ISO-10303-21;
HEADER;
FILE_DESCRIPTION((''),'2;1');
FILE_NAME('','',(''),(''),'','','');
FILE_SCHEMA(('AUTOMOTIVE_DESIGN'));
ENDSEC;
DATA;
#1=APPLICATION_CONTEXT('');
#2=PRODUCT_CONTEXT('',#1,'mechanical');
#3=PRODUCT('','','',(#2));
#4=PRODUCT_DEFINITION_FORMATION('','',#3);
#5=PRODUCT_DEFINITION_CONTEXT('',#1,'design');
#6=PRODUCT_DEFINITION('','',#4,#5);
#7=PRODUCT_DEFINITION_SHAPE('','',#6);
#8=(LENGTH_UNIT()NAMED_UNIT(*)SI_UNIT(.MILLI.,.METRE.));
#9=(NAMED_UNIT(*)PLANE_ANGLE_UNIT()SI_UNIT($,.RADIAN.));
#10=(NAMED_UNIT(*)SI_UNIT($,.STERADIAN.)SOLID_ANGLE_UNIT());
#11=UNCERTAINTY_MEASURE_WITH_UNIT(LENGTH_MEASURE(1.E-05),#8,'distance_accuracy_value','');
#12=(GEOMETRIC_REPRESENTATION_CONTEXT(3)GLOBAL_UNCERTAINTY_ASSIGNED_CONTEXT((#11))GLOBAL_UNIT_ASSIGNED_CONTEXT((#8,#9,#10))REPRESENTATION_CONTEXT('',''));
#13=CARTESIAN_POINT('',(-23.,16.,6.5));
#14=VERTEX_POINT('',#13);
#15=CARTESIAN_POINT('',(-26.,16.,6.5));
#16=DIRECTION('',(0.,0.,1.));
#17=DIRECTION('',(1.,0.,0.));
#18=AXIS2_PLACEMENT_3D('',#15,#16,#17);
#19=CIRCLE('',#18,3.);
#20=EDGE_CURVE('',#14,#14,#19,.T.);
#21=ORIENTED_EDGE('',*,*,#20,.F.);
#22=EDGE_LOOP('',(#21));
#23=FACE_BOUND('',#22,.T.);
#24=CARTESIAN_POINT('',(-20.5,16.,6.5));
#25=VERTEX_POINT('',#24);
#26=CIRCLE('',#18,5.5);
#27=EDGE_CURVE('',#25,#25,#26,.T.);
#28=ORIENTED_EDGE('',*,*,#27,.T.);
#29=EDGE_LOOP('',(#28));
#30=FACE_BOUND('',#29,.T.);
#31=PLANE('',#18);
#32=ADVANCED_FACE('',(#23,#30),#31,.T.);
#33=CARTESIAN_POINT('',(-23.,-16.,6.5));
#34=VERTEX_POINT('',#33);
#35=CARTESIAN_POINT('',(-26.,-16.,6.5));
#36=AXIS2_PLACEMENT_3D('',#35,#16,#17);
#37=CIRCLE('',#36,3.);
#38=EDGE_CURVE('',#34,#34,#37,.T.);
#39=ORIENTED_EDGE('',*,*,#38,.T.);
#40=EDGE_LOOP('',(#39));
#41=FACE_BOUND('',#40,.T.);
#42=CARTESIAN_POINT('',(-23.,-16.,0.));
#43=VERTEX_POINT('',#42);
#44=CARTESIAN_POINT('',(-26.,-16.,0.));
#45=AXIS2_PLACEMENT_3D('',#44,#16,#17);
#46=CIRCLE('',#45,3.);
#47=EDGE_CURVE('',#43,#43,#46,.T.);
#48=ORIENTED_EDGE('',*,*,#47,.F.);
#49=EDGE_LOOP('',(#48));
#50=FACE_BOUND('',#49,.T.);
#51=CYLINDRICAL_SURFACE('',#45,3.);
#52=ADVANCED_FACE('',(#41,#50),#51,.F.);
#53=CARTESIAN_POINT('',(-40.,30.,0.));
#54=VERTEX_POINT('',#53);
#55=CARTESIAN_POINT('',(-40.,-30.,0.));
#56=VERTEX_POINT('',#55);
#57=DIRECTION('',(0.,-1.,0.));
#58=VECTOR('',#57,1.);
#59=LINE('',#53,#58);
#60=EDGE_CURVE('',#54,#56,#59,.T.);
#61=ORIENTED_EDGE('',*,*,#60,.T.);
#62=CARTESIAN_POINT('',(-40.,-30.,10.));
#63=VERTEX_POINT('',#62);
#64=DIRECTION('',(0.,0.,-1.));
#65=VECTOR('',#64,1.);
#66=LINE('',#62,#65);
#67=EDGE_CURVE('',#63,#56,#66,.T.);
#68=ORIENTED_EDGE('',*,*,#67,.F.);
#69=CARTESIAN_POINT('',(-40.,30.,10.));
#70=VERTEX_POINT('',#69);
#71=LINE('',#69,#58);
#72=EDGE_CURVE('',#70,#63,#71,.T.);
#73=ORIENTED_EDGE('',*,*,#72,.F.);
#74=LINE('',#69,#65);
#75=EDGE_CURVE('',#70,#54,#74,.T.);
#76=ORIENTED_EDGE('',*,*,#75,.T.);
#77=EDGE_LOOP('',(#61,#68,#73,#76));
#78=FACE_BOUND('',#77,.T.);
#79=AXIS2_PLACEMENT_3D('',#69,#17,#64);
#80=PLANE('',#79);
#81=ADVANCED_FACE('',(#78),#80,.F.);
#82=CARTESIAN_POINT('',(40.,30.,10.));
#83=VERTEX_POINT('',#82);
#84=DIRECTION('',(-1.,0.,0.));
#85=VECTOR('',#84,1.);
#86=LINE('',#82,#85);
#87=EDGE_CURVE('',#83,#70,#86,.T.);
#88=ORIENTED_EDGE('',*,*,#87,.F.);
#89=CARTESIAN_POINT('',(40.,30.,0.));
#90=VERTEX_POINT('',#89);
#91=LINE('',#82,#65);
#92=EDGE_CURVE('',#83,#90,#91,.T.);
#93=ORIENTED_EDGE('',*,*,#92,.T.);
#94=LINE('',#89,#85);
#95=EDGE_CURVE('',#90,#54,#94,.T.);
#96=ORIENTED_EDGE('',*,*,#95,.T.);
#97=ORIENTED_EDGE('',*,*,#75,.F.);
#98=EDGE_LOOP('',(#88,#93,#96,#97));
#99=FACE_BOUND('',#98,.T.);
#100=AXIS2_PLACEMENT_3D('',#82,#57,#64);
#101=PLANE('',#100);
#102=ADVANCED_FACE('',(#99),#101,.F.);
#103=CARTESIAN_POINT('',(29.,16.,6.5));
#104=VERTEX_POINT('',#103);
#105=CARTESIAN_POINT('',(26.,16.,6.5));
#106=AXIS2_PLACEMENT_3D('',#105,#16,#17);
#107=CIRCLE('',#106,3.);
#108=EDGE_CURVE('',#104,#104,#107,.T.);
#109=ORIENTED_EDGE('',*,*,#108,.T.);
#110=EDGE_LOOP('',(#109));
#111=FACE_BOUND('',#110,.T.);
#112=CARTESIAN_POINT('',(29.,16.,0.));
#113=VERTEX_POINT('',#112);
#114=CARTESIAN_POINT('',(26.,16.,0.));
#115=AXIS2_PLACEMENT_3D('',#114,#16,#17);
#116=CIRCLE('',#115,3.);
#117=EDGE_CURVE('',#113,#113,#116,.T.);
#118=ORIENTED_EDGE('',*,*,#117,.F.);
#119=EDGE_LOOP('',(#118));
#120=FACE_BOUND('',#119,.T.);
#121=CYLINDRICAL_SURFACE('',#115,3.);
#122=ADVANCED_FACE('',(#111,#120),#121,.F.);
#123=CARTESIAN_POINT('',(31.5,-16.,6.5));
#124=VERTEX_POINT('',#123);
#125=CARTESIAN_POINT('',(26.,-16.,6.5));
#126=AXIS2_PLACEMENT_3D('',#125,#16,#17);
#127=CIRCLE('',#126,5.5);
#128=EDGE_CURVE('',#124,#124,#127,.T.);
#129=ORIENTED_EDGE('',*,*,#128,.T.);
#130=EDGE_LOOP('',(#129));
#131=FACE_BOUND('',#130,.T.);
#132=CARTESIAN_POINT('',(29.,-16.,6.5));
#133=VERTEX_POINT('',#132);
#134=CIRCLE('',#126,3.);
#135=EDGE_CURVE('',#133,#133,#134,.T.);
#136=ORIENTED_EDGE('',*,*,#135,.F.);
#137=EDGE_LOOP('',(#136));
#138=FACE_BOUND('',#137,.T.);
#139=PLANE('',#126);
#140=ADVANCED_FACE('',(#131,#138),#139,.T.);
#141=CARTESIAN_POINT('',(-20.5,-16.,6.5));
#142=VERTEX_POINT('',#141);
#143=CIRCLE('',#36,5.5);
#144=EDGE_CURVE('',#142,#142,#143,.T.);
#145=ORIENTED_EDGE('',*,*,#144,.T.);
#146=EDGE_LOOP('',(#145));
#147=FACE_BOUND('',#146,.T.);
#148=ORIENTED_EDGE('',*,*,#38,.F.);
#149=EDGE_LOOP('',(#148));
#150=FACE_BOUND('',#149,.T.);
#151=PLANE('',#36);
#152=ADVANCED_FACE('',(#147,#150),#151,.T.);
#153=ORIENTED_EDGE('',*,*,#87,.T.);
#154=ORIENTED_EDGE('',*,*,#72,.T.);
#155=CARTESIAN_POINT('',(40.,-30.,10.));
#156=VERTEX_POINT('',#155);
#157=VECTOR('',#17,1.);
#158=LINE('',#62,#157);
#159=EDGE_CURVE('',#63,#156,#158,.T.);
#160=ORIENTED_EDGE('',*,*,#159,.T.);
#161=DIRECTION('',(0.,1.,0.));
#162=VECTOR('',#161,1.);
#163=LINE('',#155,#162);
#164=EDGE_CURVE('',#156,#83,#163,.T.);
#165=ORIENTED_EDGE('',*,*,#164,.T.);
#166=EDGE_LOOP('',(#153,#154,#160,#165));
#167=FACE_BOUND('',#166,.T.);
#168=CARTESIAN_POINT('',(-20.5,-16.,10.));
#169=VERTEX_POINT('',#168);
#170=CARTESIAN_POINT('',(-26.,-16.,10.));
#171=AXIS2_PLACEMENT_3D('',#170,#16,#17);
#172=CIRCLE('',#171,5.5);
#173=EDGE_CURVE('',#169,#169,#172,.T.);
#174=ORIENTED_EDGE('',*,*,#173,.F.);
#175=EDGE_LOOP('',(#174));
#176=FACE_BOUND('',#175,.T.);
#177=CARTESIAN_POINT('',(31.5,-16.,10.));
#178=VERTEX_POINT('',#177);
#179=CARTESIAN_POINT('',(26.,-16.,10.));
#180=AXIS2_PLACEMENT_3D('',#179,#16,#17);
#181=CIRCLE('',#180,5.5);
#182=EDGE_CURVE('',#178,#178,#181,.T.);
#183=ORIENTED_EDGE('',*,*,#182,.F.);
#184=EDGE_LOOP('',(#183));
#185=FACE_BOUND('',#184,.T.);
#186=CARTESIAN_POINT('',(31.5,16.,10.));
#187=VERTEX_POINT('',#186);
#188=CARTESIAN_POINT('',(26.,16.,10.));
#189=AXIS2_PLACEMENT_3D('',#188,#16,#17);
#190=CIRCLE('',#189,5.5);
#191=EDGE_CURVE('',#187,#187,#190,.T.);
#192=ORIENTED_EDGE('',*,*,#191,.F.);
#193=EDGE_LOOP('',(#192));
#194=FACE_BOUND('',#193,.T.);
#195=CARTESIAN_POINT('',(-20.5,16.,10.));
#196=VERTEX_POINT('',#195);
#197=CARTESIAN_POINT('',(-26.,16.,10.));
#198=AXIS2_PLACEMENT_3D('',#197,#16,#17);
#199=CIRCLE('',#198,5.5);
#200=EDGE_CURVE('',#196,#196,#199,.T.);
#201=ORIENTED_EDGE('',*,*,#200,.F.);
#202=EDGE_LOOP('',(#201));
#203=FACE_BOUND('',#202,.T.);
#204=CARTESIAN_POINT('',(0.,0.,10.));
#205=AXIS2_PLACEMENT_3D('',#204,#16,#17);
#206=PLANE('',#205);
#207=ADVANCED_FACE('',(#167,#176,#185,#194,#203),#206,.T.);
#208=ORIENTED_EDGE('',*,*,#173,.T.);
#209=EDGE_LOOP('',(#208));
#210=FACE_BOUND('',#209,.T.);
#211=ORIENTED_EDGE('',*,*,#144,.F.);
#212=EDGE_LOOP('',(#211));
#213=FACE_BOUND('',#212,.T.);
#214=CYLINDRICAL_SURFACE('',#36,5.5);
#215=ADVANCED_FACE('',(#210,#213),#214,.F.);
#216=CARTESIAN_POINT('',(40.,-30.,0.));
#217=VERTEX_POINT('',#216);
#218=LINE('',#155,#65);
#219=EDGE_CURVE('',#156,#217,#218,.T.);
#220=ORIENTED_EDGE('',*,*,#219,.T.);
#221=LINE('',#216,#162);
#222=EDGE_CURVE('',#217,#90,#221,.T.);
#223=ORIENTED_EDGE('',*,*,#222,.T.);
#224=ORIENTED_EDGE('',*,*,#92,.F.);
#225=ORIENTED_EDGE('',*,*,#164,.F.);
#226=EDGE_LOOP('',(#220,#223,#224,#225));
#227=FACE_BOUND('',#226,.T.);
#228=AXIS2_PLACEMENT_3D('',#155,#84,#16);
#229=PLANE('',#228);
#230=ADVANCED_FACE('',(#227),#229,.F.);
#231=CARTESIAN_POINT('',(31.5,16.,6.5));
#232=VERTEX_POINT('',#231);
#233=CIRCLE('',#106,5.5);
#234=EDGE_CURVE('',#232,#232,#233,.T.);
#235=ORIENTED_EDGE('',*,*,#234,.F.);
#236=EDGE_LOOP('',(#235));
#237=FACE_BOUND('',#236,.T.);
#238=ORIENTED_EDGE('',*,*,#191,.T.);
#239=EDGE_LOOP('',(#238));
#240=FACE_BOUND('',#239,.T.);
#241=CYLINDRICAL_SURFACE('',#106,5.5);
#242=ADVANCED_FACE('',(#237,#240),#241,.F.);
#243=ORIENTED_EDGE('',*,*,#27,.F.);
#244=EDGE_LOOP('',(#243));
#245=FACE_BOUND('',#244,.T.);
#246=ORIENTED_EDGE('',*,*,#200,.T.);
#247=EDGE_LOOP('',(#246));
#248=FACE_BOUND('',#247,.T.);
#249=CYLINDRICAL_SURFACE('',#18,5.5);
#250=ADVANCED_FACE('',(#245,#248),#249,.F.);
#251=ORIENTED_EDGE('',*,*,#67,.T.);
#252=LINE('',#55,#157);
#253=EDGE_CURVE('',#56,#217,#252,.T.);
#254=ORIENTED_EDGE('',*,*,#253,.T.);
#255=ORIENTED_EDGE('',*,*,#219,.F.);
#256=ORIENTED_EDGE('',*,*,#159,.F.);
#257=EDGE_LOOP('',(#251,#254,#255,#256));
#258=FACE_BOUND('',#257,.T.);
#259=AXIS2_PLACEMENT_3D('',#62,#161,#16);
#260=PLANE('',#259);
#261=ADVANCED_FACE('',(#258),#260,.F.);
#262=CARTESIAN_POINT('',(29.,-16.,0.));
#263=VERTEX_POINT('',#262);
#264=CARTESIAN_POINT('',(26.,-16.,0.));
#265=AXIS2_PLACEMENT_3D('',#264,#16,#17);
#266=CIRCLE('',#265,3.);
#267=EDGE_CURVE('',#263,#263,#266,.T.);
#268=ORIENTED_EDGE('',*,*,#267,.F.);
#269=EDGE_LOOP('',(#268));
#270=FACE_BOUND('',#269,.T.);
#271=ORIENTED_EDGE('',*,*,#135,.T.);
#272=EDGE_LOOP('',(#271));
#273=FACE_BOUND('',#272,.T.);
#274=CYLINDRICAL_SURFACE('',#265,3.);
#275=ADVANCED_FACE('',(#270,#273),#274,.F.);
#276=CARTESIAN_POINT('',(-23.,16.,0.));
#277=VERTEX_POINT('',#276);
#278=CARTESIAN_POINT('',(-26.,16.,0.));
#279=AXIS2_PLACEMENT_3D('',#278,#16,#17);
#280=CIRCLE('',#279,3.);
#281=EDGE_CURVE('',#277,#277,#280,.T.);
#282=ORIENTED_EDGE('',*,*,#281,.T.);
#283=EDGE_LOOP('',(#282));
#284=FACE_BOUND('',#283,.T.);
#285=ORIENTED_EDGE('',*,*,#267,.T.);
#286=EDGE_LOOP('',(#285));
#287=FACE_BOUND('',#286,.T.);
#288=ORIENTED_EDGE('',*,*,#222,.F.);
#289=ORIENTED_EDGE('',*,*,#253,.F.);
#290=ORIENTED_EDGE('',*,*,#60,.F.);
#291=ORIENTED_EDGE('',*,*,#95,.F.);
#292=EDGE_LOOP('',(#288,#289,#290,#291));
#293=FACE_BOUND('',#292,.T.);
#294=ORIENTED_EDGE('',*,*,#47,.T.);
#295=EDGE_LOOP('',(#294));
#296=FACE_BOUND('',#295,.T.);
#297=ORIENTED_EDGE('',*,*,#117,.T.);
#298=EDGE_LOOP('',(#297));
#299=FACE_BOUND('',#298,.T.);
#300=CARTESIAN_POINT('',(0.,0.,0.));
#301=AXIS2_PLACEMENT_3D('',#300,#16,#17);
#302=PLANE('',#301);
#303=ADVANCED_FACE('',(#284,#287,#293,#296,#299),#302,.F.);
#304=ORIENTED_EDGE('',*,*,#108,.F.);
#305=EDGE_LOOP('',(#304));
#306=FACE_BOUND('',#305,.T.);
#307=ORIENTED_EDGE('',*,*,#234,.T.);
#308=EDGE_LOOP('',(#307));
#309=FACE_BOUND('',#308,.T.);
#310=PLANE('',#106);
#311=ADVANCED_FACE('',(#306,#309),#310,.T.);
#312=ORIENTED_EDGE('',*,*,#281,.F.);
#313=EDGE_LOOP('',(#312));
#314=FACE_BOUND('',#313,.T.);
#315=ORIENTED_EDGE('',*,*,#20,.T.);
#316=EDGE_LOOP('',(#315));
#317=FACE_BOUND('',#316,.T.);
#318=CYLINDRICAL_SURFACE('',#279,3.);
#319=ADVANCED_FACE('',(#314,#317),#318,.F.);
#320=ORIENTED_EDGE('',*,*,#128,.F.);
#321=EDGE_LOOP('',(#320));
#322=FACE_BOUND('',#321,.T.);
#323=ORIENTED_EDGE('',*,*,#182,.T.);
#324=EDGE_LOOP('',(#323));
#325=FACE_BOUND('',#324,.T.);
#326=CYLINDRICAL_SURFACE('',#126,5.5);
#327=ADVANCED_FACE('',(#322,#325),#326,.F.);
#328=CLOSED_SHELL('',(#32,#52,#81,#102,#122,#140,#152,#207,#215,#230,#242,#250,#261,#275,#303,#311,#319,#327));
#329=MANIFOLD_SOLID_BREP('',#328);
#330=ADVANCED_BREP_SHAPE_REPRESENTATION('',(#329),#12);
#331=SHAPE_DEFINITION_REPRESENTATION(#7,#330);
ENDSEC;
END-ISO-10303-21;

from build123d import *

# Parameters (mm, degrees)
SKETCH_1_W          = 80
SKETCH_1_H          = 60
EXTRUDE_1_DEPTH     = 10
SKETCH_2_R          = 5.5
CUT_EXTRUDE_1_DEPTH = 3.5
SKETCH_3_R          = 3
CUT_EXTRUDE_2_DEPTH = 51.990195136


with BuildPart() as part:
    # 草图1 → 凸台-拉伸1 (new body)
    with BuildSketch(Plane.XY):
        Rectangle(SKETCH_1_W, SKETCH_1_H)
    extrude(amount=EXTRUDE_1_DEPTH)

    # 草图2 → 切除-拉伸1 (cut)
    with BuildSketch(Plane.XY.offset(10)):
        with Locations((26, 16)):
            Circle(SKETCH_2_R)
        with Locations((26, -16)):
            Circle(SKETCH_2_R)
        with Locations((-26, 16)):
            Circle(SKETCH_2_R)
        with Locations((-26, -16)):
            Circle(SKETCH_2_R)
    extrude(amount=-CUT_EXTRUDE_1_DEPTH, mode=Mode.SUBTRACT)

    # 草图3 → 切除-拉伸2 (cut, through all)
    with BuildSketch(Plane.XY.offset(10)):
        with Locations((26, 16)):
            Circle(SKETCH_3_R)
        with Locations((26, -16)):
            Circle(SKETCH_3_R)
        with Locations((-26, 16)):
            Circle(SKETCH_3_R)
        with Locations((-26, -16)):
            Circle(SKETCH_3_R)
    extrude(amount=-CUT_EXTRUDE_2_DEPTH, mode=Mode.SUBTRACT)


solid = part.part
